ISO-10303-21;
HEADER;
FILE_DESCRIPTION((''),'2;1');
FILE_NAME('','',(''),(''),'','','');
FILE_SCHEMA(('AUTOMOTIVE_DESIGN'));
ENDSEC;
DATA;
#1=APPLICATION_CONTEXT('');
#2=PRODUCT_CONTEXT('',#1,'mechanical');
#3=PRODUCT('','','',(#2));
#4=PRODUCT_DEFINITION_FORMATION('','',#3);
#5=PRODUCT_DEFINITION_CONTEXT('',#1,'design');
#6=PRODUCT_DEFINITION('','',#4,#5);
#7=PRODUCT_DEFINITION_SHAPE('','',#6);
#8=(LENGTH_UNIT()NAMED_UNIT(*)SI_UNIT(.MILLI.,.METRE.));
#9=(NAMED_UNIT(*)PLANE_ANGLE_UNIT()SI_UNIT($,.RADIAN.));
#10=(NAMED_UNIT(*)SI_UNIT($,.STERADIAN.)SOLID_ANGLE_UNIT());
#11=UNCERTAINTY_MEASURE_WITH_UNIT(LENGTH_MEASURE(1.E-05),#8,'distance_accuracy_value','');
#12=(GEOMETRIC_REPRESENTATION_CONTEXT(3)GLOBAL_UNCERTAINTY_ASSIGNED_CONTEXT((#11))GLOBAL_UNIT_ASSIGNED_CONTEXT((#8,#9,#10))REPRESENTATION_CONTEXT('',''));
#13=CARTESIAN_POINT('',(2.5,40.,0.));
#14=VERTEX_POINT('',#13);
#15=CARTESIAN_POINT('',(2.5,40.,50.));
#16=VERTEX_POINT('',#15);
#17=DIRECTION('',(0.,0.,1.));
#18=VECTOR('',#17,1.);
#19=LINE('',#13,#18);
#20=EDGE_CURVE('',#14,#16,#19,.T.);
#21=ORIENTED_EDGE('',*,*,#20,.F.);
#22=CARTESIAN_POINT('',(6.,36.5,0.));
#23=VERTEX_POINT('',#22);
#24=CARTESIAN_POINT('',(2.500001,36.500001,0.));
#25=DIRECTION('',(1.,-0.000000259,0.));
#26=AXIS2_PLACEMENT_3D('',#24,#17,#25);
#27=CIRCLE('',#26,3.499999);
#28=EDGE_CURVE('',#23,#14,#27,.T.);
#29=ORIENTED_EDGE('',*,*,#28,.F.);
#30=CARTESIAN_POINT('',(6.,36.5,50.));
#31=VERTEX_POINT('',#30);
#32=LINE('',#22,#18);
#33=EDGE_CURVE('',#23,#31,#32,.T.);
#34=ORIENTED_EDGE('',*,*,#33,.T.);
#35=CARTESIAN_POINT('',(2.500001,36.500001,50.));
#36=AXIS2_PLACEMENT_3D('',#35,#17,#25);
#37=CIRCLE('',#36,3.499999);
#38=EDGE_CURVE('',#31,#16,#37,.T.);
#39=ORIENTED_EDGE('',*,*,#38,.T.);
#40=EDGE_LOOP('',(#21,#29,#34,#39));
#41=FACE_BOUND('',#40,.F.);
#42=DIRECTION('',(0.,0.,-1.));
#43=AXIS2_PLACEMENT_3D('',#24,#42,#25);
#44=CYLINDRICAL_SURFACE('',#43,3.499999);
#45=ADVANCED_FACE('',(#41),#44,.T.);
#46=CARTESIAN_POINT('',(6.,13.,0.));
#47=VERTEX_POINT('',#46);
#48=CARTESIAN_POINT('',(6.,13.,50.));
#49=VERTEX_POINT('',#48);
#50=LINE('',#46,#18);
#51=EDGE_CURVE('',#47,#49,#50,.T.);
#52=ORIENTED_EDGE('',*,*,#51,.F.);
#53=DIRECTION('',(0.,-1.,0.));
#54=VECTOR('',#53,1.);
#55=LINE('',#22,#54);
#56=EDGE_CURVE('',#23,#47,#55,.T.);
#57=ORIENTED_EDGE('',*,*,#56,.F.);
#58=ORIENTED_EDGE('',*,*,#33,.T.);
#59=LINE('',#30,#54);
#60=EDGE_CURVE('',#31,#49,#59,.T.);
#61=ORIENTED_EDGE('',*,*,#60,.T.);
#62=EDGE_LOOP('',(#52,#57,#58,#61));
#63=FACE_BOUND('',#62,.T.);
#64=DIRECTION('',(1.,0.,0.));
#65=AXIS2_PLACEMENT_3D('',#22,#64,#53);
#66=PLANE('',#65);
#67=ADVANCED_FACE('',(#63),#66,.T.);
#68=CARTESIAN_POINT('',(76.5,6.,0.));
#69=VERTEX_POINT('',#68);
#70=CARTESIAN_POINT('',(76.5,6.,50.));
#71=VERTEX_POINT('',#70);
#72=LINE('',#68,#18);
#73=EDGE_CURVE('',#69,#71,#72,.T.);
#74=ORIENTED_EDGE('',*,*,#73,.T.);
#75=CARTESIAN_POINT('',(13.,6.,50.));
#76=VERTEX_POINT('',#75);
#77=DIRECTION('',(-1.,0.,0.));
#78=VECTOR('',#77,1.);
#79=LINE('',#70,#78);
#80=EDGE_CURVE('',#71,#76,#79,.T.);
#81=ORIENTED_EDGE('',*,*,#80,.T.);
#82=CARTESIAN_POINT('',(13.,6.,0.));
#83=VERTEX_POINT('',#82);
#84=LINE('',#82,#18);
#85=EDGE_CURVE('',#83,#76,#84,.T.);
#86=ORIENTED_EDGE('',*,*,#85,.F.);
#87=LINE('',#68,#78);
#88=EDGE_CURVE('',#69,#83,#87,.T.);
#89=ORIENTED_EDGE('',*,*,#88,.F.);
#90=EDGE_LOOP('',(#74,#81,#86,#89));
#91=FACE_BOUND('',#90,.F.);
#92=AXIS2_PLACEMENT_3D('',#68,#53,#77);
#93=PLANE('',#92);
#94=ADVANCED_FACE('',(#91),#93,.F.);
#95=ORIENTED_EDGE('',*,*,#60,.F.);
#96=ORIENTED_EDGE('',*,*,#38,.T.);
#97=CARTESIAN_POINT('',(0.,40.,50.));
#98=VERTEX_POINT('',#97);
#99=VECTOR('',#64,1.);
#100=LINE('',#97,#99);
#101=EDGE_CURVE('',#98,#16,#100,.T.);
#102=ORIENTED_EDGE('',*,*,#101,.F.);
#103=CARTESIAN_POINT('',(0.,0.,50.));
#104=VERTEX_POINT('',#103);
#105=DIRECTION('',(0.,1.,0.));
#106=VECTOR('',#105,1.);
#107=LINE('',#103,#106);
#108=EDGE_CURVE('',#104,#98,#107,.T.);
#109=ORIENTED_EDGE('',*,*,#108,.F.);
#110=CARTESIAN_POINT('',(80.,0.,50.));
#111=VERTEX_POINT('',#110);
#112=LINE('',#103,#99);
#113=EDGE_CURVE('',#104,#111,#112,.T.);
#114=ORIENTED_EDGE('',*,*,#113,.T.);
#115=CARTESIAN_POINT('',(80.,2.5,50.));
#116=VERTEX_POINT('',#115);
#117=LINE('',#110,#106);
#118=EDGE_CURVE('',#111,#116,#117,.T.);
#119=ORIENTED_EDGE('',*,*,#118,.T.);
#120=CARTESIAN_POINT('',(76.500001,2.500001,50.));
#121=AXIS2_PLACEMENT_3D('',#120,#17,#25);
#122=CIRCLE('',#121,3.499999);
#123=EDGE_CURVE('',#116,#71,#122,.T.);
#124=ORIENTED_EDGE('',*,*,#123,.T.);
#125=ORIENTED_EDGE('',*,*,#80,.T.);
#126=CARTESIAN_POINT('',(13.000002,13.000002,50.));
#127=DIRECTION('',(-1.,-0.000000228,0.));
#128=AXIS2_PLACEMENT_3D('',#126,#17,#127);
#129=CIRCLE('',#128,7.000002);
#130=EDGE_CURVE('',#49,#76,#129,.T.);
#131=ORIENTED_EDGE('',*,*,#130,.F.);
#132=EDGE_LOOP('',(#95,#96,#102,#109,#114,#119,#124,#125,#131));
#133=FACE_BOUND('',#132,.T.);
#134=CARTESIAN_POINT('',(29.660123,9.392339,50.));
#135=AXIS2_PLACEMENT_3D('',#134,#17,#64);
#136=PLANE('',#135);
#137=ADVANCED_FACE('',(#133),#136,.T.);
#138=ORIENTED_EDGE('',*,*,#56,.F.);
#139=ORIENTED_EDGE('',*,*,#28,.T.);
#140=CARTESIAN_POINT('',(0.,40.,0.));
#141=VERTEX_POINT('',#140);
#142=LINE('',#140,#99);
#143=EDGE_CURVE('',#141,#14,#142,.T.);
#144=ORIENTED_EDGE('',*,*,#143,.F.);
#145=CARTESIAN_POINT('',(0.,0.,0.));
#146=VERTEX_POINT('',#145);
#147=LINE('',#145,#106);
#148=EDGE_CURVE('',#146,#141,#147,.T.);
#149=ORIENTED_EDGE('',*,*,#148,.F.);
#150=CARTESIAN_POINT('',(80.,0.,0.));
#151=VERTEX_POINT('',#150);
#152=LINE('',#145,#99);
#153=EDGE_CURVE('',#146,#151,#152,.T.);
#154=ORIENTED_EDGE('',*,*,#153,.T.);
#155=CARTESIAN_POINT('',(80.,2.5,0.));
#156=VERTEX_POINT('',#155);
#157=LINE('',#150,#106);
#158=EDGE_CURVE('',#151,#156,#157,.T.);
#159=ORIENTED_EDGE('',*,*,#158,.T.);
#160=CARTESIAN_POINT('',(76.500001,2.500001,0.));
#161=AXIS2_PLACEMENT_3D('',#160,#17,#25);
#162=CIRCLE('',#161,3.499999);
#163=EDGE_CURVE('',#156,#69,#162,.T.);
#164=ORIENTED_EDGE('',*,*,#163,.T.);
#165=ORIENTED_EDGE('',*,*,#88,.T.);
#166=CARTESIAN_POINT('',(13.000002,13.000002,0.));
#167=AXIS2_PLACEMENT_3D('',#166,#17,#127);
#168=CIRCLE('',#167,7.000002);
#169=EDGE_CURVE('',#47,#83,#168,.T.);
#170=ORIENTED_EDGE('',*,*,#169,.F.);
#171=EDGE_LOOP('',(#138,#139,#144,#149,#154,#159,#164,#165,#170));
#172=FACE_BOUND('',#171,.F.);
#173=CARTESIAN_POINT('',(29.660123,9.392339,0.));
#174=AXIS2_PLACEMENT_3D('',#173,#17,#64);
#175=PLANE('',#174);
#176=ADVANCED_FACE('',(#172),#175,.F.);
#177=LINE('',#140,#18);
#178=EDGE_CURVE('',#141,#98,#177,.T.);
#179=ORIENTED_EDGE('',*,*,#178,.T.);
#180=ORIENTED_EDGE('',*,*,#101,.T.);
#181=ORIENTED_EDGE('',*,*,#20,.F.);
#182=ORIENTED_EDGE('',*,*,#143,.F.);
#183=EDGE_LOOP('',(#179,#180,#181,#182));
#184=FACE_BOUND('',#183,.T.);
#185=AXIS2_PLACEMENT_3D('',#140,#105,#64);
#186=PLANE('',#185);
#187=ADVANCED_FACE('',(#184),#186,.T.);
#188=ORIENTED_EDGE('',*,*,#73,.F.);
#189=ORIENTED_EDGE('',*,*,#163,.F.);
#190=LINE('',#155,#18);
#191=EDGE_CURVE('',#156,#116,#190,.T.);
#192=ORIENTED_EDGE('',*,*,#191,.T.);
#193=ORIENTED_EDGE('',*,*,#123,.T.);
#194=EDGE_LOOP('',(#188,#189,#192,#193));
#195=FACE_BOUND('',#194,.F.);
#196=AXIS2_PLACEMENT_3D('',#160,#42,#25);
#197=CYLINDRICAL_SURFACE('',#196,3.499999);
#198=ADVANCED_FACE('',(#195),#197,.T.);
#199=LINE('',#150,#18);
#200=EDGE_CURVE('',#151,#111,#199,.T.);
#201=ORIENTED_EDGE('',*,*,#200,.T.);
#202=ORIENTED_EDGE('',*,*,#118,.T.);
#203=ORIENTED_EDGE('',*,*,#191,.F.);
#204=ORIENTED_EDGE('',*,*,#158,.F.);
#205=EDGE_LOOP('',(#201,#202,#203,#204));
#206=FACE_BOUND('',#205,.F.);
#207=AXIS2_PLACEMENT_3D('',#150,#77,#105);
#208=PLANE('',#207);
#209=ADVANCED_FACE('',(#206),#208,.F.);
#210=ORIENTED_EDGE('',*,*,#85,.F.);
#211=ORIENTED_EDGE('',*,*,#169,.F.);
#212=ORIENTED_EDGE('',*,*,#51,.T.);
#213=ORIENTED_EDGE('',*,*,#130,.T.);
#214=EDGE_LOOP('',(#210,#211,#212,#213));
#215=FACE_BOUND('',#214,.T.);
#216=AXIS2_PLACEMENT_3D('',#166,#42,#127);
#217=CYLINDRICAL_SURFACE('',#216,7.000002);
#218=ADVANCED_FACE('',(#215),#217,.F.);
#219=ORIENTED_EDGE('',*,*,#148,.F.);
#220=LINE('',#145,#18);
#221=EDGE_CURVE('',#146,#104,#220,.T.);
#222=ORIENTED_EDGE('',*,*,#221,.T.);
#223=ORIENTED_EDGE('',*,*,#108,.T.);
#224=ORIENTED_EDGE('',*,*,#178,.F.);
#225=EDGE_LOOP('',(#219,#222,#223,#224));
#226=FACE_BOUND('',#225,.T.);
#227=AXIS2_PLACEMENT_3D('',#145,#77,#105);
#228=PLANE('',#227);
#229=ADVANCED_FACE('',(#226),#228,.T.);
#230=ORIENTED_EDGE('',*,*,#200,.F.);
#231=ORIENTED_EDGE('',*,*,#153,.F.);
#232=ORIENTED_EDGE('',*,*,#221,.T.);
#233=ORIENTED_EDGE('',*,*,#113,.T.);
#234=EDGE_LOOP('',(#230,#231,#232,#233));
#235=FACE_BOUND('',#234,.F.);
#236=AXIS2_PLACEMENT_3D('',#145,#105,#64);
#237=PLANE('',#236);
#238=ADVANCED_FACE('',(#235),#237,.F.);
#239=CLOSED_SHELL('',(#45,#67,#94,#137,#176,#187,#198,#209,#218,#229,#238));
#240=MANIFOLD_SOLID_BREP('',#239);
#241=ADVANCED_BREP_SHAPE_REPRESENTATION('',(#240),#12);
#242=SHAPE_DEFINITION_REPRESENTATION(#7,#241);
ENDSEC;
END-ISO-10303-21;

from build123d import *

# Parameters (mm, degrees)
EXTRUDE_DEPTH = 50


with BuildPart() as part:
    # Sketch → Extrude (new body)
    with BuildSketch(Plane.XY):
        with BuildLine():
            Line((0, 0), (80, 0))
            Line((80, 0), (80, 2.5))
            ThreePointArc((80, 2.5), (78.974874, 4.974874), (76.5, 6))
            Line((76.5, 6), (13, 6))
            ThreePointArc((6, 13), (8.050253, 8.050253), (13, 6))
            Line((6, 36.5), (6, 13))
            ThreePointArc((6, 36.5), (4.974874, 38.974874), (2.5, 40))
            Line((0, 40), (2.5, 40))
            Line((0, 0), (0, 40))
        make_face()
    extrude(amount=EXTRUDE_DEPTH)


solid = part.part
